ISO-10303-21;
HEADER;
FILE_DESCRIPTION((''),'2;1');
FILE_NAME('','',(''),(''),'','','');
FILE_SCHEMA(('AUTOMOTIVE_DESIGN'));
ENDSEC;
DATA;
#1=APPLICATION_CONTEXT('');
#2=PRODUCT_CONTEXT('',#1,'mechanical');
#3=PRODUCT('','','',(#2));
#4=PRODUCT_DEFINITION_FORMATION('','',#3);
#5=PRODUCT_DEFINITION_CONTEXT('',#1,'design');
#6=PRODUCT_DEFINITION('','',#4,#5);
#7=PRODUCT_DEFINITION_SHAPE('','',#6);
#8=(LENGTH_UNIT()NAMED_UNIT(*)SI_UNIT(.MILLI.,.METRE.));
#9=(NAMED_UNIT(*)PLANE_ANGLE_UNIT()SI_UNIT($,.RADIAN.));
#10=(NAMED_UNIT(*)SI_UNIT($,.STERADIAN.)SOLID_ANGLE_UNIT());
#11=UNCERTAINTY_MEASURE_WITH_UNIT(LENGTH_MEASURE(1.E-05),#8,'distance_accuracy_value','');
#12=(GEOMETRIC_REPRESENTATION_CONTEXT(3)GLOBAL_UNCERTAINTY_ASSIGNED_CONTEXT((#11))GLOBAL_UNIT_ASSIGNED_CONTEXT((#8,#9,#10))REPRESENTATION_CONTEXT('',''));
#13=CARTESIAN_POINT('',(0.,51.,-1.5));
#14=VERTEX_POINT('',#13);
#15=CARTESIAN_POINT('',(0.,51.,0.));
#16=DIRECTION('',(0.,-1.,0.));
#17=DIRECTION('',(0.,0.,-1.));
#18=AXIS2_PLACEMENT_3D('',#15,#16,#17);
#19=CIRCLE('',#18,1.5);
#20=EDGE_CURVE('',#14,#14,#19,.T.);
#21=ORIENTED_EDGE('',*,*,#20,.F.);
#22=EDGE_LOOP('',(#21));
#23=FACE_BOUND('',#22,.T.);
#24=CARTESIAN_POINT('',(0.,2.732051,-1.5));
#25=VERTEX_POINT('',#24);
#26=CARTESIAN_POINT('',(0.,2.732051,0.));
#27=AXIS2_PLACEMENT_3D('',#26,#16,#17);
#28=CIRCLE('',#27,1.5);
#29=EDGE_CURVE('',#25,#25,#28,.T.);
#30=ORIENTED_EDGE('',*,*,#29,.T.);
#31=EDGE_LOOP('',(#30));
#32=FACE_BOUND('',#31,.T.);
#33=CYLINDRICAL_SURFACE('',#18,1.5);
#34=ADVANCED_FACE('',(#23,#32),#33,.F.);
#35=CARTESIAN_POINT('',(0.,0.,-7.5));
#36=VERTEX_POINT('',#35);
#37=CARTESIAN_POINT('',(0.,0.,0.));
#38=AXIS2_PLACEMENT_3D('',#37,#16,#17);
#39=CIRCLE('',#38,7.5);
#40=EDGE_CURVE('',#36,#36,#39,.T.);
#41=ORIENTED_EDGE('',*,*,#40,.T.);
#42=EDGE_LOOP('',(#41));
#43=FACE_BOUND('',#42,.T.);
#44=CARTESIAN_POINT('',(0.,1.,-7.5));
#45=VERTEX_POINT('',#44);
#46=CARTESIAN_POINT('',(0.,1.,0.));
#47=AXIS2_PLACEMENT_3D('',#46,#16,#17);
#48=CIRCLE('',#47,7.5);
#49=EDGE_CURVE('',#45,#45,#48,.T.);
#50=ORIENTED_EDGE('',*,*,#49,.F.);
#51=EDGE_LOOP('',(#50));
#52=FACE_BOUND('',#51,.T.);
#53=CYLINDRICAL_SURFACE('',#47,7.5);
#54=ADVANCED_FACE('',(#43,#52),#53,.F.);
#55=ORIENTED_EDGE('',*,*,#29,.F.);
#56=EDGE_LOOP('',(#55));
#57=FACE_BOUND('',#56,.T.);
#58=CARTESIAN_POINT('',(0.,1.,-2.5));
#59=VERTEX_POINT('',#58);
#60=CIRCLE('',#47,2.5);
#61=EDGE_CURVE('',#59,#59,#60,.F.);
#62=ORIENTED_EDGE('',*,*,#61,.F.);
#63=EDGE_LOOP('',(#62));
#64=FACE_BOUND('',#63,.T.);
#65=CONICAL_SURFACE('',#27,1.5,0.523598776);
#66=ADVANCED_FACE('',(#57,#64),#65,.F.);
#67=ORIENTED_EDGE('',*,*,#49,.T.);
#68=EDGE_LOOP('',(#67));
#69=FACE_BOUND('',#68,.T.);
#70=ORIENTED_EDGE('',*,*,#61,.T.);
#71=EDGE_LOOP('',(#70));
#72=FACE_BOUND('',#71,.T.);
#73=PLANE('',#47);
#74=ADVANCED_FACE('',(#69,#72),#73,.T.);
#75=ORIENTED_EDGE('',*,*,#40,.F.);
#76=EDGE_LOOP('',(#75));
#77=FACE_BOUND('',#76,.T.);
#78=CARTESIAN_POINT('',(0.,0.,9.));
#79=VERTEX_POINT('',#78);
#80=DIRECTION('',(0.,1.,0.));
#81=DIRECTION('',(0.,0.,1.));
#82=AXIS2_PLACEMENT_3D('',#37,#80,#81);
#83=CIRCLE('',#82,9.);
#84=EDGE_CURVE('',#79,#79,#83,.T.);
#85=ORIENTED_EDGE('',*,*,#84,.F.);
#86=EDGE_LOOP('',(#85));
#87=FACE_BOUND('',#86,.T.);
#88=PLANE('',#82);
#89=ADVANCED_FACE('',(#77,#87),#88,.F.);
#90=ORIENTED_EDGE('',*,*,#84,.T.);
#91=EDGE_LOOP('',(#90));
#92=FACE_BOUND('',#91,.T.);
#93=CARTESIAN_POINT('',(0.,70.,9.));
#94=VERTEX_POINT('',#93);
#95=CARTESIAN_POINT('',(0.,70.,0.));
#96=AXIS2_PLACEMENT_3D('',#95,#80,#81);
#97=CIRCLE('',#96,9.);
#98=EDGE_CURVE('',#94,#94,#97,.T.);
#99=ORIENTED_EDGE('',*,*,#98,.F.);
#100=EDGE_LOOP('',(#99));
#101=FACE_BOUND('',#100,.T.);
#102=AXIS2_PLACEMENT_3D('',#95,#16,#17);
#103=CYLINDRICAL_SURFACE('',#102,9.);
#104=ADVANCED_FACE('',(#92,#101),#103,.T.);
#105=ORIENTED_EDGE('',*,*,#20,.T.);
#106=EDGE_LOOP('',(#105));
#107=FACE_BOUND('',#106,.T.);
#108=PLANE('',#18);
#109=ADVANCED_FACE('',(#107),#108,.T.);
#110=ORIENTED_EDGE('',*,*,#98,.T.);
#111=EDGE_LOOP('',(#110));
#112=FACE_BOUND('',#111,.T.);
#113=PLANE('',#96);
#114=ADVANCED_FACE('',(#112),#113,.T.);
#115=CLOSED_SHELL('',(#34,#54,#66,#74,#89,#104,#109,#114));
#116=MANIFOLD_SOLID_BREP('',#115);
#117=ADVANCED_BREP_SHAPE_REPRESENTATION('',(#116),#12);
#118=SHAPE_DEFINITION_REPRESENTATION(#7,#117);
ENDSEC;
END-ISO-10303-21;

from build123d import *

# Parameters (mm, degrees)
SKETCH2_R           = 9
BOSS_EXTRUDE1_DEPTH = 70
SKETCH3_R           = 7.5
CUT_EXTRUDE1_DEPTH  = 1
SKETCH4_R           = 1.5
CUT_EXTRUDE2_DEPTH  = 50
CHAMFER1_SIZE       = 1
CHAMFER1_SIZE2      = 1.732050808


with BuildPart() as part:
    # Sketch2 → Boss-Extrude1 (new body)
    with BuildSketch(Plane(origin=(0, 0, 0), x_dir=(1, 0, 0), z_dir=(0, 1, 0))):
        Circle(SKETCH2_R)
    extrude(amount=BOSS_EXTRUDE1_DEPTH)

    # Sketch3 → Cut-Extrude1 (cut)
    with BuildSketch(Plane.XZ):
        Circle(SKETCH3_R)
    extrude(amount=-CUT_EXTRUDE1_DEPTH, mode=Mode.SUBTRACT)

    # Sketch4 → Cut-Extrude2 (cut)
    with BuildSketch(Plane.XZ.offset(-1)):
        Circle(SKETCH4_R)
    extrude(amount=-CUT_EXTRUDE2_DEPTH, mode=Mode.SUBTRACT)

    # Chamfer1
    chamfer1_edges = [part.edges().sort_by_distance(p)[0] for p in [
        (-1.5, 1, 0),
    ]]
    chamfer1_side = [part.faces().sort_by_distance(p)[0] for p in [
        (-7.287867966, 1, 0),
    ]]
    chamfer(chamfer1_edges, length=CHAMFER1_SIZE, length2=CHAMFER1_SIZE2, reference=chamfer1_side[0])


solid = part.part
